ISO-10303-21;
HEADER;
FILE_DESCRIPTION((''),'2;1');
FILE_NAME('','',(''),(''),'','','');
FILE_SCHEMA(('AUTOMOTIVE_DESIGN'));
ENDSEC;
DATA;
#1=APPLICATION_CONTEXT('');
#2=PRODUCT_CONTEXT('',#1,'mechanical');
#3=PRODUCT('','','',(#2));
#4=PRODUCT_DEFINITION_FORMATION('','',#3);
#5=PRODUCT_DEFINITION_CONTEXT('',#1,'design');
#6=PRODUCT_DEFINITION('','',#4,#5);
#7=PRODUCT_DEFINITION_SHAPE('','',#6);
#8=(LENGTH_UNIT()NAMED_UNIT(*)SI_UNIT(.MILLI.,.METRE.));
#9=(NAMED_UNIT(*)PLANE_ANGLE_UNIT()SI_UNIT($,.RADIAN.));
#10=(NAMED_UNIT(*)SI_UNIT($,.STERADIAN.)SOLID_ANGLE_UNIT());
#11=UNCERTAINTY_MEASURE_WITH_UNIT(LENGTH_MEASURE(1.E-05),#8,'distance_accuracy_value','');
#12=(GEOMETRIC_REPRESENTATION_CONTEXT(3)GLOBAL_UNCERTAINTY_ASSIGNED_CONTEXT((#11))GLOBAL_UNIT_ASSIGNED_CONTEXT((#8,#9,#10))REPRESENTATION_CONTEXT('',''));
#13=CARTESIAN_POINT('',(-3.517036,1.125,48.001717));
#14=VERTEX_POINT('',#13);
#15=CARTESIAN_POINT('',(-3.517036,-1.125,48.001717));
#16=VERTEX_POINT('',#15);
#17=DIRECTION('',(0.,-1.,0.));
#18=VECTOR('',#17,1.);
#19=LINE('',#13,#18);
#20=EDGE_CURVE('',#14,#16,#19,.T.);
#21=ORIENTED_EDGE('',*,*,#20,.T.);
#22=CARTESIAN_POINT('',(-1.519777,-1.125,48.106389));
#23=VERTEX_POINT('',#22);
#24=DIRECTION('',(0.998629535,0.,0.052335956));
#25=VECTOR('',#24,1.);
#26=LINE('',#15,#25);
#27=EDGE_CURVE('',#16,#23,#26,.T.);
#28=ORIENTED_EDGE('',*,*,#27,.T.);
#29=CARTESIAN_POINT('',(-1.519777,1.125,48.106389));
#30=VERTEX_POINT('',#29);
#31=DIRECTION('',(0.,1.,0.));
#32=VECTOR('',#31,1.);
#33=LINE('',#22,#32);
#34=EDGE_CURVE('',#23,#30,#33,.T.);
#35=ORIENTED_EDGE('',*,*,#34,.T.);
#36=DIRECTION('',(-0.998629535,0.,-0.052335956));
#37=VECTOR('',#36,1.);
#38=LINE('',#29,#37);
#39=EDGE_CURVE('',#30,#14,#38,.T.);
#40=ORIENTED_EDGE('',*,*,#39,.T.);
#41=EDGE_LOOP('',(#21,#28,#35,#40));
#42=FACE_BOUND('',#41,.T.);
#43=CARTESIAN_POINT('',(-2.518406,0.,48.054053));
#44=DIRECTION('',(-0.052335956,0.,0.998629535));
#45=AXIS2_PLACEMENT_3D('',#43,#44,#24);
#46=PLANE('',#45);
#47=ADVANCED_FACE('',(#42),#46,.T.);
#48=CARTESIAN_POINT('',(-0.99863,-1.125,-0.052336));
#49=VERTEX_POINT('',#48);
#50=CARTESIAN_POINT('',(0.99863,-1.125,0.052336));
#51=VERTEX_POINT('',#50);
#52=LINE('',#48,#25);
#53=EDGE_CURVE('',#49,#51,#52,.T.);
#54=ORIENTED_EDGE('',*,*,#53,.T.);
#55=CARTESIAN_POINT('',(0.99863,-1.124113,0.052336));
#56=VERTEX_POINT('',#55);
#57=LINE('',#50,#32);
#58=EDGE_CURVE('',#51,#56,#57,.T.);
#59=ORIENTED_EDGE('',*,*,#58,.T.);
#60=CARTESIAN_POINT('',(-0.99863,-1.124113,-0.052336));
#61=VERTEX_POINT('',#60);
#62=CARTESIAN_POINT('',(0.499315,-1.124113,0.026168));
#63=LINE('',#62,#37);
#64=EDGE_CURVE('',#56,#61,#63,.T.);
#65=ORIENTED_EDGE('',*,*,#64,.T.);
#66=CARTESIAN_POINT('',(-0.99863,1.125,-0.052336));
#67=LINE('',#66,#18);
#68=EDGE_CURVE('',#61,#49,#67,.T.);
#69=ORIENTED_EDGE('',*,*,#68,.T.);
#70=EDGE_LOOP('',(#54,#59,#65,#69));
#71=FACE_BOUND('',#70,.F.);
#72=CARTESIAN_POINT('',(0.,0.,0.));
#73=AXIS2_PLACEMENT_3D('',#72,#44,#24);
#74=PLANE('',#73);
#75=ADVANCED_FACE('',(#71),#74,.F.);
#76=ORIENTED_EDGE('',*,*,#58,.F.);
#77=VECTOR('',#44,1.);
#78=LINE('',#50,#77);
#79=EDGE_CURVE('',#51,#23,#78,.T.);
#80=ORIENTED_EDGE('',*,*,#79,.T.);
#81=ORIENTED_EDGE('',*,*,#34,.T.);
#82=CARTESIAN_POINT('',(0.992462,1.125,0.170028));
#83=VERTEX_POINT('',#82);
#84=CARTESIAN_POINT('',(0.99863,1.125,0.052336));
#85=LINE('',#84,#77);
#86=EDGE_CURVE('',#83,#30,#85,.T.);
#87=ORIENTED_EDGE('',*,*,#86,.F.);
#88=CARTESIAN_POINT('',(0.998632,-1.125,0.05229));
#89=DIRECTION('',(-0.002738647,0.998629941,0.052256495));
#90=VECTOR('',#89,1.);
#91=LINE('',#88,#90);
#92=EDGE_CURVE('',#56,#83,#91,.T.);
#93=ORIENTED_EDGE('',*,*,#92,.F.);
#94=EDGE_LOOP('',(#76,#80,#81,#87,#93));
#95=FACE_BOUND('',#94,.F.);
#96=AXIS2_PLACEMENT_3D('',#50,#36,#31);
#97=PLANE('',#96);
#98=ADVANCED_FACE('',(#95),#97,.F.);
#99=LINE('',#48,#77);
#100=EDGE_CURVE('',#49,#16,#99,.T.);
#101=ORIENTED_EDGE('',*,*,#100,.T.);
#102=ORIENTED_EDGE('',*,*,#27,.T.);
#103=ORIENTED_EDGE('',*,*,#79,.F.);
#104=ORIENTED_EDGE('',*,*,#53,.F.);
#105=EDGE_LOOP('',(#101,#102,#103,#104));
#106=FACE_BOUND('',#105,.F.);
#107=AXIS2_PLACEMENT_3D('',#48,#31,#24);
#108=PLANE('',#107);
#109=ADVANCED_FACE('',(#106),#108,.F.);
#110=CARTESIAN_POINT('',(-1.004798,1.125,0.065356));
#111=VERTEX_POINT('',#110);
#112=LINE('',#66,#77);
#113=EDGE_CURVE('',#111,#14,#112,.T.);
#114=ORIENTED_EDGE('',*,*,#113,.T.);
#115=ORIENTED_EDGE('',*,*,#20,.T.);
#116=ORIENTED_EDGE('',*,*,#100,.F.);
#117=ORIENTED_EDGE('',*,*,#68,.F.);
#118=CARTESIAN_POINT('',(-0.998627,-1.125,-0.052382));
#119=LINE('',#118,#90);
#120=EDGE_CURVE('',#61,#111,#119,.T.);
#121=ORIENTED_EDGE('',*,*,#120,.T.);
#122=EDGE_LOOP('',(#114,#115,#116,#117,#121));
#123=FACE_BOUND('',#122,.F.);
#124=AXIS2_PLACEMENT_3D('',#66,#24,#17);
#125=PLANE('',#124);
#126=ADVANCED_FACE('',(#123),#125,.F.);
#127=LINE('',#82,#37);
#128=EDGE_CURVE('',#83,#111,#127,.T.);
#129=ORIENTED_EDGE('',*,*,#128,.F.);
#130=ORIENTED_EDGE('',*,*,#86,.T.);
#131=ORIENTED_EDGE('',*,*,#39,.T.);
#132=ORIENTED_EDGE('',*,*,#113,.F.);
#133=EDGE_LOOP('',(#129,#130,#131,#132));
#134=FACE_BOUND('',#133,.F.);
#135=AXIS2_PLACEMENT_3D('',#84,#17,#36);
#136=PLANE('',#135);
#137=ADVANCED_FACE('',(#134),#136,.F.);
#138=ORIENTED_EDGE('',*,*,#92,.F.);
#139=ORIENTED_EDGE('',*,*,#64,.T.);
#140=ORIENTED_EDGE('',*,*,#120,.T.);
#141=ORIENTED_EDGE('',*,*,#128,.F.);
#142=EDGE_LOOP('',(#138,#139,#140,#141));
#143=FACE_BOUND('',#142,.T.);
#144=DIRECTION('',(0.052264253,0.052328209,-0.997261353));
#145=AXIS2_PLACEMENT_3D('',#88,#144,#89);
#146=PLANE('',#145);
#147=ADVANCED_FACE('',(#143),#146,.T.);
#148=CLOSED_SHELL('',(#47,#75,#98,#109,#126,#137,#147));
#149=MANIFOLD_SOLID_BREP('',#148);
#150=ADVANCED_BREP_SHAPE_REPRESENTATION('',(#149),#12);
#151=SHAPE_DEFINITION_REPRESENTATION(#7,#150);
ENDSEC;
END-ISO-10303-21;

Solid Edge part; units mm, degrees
sketch "Sketch1" plane through (0, 0, 0) normal (-0.0523, 0, 0.9986) x (0, 1, 0)
  line L0 (1.125, -1) -> (1.125, 1)
  line L1 (1.125, 1) -> (-1.125, 1)
  line L2 (-1.125, 1) -> (-1.125, -1)
  line L3 (-1.125, -1) -> (1.125, -1)
extrude "ExtrudedProtrusion_1" add sketch "Sketch1" along normal blind 48.12
sketch "Sketch2" plane through (-0.2574, 0, 24.0194) normal (0.9986, 0, 0.0523) x (0.0523, 0, -0.9986)
  line L0 (24, -1.125) -> (24, 1.125)
  line L1 (23.8821, 1.125) -> (24, 1.125)
  line L2 (24, -1.125) -> (23.8821, 1.125)
extrude "Cutout1" cut sketch "Sketch2" against normal up to vertex (2 mm away)
properties material "Stainless Steel, 420"
